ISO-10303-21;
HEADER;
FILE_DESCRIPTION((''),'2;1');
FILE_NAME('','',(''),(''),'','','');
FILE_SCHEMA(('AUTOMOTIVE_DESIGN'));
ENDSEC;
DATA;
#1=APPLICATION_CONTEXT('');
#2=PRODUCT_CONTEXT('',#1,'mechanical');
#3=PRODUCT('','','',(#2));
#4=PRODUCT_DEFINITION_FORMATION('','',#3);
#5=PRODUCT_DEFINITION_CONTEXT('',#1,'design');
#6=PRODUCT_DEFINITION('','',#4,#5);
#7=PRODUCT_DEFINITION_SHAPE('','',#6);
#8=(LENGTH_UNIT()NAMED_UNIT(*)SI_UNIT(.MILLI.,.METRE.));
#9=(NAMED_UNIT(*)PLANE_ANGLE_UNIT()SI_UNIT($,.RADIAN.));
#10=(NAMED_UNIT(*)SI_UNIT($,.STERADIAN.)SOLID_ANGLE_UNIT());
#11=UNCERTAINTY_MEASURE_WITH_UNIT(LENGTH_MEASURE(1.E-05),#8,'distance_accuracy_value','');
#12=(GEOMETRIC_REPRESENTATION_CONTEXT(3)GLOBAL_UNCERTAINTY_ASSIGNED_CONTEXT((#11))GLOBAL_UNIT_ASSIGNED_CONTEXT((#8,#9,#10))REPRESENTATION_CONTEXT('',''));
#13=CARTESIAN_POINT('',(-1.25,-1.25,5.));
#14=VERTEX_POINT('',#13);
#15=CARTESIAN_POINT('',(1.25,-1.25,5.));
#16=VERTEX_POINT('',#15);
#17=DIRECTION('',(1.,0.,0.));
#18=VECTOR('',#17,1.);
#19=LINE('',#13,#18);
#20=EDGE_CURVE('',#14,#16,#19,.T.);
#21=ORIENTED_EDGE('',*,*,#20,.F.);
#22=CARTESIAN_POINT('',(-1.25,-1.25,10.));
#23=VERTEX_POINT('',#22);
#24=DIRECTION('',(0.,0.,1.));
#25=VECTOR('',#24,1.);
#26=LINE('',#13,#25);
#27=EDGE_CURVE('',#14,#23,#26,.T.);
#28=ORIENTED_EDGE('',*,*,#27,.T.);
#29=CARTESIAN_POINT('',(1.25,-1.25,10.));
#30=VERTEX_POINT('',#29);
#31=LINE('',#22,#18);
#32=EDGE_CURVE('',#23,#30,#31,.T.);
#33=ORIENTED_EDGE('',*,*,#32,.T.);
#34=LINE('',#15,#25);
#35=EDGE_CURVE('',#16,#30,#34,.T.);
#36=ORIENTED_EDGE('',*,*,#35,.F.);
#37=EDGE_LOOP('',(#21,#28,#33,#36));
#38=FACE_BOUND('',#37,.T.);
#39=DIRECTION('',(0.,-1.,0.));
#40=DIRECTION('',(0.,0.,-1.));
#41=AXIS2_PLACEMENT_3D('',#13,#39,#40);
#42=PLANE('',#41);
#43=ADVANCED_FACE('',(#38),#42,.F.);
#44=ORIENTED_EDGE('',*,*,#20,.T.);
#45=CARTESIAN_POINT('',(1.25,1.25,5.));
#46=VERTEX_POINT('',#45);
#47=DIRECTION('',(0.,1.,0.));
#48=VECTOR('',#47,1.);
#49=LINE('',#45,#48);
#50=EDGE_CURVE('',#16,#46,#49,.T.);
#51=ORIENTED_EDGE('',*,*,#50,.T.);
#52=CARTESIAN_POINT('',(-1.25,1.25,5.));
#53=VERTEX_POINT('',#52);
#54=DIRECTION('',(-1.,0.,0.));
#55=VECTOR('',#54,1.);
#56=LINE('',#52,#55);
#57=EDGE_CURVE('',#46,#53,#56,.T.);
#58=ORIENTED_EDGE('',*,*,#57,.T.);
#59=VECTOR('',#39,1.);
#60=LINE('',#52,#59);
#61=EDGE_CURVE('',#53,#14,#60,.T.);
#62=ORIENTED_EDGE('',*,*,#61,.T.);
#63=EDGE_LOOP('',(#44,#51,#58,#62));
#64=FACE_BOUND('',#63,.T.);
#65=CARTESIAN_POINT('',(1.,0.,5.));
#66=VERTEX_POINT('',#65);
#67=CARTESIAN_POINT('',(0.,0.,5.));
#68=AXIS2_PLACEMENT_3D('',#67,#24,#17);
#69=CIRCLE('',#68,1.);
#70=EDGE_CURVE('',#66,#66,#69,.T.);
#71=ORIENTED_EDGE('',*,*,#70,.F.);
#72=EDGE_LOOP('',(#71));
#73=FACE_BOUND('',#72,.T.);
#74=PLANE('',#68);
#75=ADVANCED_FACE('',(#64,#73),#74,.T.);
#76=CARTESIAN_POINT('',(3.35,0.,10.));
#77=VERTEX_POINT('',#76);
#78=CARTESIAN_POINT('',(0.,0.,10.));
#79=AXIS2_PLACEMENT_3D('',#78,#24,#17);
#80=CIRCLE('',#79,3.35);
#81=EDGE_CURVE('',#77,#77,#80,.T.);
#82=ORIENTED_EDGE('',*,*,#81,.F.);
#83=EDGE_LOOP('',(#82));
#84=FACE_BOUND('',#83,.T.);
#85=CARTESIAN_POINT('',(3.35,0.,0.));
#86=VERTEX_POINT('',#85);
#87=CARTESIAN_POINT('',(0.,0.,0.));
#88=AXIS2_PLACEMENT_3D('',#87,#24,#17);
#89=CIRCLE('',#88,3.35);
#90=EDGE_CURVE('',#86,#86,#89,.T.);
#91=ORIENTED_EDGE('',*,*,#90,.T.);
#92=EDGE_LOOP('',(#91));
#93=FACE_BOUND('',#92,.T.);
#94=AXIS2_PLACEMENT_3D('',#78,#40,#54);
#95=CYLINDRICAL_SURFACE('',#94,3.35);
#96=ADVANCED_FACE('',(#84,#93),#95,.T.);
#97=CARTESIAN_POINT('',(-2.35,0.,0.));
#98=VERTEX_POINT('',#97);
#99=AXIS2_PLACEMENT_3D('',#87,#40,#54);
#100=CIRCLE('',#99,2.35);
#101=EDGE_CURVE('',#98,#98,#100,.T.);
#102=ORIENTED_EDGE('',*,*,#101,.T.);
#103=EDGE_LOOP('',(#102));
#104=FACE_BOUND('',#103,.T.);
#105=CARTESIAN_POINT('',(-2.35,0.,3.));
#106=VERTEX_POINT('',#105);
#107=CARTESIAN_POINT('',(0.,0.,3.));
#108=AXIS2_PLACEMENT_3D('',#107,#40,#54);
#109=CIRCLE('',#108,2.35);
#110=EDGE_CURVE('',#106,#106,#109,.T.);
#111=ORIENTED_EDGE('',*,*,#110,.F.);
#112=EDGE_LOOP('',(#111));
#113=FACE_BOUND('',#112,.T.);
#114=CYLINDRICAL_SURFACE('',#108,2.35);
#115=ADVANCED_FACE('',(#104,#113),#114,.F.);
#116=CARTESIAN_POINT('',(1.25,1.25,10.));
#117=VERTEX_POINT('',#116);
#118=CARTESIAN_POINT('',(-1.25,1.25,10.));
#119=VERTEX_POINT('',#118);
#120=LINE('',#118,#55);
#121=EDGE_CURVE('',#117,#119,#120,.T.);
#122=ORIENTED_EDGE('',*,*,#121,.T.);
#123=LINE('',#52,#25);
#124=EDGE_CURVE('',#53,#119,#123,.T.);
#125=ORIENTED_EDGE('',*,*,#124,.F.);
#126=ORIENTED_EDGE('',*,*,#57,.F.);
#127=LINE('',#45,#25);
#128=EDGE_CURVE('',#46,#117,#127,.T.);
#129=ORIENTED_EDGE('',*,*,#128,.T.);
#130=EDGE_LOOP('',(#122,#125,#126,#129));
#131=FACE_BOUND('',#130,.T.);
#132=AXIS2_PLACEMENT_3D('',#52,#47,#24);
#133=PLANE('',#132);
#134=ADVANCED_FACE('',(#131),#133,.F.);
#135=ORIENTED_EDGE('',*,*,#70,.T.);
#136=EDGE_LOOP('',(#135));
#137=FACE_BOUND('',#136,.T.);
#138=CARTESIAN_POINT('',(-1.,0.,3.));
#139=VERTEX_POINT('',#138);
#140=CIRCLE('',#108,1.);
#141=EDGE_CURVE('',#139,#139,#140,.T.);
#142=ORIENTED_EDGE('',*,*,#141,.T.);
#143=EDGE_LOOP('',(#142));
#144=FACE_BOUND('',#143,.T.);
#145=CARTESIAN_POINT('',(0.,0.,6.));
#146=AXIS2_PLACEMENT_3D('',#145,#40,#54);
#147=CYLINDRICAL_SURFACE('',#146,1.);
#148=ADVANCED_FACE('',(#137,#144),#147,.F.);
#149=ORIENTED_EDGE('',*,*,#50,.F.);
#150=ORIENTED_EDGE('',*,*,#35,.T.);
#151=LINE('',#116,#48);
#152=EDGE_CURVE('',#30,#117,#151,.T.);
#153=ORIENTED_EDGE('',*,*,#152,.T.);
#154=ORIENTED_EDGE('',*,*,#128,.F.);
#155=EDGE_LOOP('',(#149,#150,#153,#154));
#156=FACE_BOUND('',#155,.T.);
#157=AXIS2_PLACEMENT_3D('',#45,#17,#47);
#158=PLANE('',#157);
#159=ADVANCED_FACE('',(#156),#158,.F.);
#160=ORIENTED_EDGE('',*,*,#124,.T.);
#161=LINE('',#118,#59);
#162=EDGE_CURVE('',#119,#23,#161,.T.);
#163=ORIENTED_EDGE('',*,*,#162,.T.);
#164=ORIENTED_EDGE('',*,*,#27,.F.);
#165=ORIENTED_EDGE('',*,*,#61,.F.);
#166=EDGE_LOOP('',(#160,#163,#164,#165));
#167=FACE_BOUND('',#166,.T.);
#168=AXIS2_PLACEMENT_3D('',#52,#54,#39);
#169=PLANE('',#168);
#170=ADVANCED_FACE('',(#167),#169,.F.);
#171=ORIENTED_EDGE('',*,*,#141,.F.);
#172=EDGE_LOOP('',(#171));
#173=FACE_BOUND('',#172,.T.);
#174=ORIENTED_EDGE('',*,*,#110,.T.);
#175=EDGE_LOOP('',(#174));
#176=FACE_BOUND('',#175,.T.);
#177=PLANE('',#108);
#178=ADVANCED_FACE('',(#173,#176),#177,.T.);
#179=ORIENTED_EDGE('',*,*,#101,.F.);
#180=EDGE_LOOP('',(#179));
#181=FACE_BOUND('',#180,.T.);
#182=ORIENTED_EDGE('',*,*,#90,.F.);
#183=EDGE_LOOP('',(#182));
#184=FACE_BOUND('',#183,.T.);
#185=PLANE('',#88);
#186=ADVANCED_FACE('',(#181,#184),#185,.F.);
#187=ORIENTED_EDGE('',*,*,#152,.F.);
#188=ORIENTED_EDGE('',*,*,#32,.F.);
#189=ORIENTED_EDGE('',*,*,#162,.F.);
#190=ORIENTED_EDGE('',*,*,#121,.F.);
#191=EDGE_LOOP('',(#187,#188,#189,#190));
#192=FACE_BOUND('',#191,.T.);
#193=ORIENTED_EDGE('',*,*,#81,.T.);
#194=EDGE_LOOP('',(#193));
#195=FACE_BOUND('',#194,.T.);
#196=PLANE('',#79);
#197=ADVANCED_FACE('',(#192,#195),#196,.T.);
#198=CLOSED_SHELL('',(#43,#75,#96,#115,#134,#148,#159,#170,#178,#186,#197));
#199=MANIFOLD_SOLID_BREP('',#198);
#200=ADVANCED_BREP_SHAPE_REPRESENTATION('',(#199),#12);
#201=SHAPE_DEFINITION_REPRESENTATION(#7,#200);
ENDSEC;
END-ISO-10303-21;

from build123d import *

# Parameters (mm, degrees)
SKETCH1_R           = 3.35
BOSS_EXTRUDE1_DEPTH = 10
SKETCH2_W           = 2.5
SKETCH2_H           = 2.5
CUT_EXTRUDE1_DEPTH  = 5
SKETCH3_R           = 2.35
CUT_EXTRUDE2_DEPTH  = 3
SKETCH4_R           = 1
CUT_EXTRUDE3_DEPTH  = 3


with BuildPart() as part:
    # Sketch1 → Boss-Extrude1 (new body)
    with BuildSketch(Plane.XY):
        Circle(SKETCH1_R)
    extrude(amount=BOSS_EXTRUDE1_DEPTH)

    # Sketch2 → Cut-Extrude1 (cut)
    with BuildSketch(Plane.XY.offset(10)):
        Rectangle(SKETCH2_W, SKETCH2_H)
    extrude(amount=-CUT_EXTRUDE1_DEPTH, mode=Mode.SUBTRACT)

    # Sketch3 → Cut-Extrude2 (cut)
    with BuildSketch(Plane(origin=(0, 0, 0), x_dir=(-1, 0, 0), z_dir=(0, 0, -1))):
        Circle(SKETCH3_R)
    extrude(amount=-CUT_EXTRUDE2_DEPTH, mode=Mode.SUBTRACT)

    # Sketch4 → Cut-Extrude3 (cut)
    with BuildSketch(Plane(origin=(0, 0, 3), x_dir=(-1, 0, 0), z_dir=(0, 0, -1))):
        Circle(SKETCH4_R)
    extrude(amount=-CUT_EXTRUDE3_DEPTH, mode=Mode.SUBTRACT)


solid = part.part
